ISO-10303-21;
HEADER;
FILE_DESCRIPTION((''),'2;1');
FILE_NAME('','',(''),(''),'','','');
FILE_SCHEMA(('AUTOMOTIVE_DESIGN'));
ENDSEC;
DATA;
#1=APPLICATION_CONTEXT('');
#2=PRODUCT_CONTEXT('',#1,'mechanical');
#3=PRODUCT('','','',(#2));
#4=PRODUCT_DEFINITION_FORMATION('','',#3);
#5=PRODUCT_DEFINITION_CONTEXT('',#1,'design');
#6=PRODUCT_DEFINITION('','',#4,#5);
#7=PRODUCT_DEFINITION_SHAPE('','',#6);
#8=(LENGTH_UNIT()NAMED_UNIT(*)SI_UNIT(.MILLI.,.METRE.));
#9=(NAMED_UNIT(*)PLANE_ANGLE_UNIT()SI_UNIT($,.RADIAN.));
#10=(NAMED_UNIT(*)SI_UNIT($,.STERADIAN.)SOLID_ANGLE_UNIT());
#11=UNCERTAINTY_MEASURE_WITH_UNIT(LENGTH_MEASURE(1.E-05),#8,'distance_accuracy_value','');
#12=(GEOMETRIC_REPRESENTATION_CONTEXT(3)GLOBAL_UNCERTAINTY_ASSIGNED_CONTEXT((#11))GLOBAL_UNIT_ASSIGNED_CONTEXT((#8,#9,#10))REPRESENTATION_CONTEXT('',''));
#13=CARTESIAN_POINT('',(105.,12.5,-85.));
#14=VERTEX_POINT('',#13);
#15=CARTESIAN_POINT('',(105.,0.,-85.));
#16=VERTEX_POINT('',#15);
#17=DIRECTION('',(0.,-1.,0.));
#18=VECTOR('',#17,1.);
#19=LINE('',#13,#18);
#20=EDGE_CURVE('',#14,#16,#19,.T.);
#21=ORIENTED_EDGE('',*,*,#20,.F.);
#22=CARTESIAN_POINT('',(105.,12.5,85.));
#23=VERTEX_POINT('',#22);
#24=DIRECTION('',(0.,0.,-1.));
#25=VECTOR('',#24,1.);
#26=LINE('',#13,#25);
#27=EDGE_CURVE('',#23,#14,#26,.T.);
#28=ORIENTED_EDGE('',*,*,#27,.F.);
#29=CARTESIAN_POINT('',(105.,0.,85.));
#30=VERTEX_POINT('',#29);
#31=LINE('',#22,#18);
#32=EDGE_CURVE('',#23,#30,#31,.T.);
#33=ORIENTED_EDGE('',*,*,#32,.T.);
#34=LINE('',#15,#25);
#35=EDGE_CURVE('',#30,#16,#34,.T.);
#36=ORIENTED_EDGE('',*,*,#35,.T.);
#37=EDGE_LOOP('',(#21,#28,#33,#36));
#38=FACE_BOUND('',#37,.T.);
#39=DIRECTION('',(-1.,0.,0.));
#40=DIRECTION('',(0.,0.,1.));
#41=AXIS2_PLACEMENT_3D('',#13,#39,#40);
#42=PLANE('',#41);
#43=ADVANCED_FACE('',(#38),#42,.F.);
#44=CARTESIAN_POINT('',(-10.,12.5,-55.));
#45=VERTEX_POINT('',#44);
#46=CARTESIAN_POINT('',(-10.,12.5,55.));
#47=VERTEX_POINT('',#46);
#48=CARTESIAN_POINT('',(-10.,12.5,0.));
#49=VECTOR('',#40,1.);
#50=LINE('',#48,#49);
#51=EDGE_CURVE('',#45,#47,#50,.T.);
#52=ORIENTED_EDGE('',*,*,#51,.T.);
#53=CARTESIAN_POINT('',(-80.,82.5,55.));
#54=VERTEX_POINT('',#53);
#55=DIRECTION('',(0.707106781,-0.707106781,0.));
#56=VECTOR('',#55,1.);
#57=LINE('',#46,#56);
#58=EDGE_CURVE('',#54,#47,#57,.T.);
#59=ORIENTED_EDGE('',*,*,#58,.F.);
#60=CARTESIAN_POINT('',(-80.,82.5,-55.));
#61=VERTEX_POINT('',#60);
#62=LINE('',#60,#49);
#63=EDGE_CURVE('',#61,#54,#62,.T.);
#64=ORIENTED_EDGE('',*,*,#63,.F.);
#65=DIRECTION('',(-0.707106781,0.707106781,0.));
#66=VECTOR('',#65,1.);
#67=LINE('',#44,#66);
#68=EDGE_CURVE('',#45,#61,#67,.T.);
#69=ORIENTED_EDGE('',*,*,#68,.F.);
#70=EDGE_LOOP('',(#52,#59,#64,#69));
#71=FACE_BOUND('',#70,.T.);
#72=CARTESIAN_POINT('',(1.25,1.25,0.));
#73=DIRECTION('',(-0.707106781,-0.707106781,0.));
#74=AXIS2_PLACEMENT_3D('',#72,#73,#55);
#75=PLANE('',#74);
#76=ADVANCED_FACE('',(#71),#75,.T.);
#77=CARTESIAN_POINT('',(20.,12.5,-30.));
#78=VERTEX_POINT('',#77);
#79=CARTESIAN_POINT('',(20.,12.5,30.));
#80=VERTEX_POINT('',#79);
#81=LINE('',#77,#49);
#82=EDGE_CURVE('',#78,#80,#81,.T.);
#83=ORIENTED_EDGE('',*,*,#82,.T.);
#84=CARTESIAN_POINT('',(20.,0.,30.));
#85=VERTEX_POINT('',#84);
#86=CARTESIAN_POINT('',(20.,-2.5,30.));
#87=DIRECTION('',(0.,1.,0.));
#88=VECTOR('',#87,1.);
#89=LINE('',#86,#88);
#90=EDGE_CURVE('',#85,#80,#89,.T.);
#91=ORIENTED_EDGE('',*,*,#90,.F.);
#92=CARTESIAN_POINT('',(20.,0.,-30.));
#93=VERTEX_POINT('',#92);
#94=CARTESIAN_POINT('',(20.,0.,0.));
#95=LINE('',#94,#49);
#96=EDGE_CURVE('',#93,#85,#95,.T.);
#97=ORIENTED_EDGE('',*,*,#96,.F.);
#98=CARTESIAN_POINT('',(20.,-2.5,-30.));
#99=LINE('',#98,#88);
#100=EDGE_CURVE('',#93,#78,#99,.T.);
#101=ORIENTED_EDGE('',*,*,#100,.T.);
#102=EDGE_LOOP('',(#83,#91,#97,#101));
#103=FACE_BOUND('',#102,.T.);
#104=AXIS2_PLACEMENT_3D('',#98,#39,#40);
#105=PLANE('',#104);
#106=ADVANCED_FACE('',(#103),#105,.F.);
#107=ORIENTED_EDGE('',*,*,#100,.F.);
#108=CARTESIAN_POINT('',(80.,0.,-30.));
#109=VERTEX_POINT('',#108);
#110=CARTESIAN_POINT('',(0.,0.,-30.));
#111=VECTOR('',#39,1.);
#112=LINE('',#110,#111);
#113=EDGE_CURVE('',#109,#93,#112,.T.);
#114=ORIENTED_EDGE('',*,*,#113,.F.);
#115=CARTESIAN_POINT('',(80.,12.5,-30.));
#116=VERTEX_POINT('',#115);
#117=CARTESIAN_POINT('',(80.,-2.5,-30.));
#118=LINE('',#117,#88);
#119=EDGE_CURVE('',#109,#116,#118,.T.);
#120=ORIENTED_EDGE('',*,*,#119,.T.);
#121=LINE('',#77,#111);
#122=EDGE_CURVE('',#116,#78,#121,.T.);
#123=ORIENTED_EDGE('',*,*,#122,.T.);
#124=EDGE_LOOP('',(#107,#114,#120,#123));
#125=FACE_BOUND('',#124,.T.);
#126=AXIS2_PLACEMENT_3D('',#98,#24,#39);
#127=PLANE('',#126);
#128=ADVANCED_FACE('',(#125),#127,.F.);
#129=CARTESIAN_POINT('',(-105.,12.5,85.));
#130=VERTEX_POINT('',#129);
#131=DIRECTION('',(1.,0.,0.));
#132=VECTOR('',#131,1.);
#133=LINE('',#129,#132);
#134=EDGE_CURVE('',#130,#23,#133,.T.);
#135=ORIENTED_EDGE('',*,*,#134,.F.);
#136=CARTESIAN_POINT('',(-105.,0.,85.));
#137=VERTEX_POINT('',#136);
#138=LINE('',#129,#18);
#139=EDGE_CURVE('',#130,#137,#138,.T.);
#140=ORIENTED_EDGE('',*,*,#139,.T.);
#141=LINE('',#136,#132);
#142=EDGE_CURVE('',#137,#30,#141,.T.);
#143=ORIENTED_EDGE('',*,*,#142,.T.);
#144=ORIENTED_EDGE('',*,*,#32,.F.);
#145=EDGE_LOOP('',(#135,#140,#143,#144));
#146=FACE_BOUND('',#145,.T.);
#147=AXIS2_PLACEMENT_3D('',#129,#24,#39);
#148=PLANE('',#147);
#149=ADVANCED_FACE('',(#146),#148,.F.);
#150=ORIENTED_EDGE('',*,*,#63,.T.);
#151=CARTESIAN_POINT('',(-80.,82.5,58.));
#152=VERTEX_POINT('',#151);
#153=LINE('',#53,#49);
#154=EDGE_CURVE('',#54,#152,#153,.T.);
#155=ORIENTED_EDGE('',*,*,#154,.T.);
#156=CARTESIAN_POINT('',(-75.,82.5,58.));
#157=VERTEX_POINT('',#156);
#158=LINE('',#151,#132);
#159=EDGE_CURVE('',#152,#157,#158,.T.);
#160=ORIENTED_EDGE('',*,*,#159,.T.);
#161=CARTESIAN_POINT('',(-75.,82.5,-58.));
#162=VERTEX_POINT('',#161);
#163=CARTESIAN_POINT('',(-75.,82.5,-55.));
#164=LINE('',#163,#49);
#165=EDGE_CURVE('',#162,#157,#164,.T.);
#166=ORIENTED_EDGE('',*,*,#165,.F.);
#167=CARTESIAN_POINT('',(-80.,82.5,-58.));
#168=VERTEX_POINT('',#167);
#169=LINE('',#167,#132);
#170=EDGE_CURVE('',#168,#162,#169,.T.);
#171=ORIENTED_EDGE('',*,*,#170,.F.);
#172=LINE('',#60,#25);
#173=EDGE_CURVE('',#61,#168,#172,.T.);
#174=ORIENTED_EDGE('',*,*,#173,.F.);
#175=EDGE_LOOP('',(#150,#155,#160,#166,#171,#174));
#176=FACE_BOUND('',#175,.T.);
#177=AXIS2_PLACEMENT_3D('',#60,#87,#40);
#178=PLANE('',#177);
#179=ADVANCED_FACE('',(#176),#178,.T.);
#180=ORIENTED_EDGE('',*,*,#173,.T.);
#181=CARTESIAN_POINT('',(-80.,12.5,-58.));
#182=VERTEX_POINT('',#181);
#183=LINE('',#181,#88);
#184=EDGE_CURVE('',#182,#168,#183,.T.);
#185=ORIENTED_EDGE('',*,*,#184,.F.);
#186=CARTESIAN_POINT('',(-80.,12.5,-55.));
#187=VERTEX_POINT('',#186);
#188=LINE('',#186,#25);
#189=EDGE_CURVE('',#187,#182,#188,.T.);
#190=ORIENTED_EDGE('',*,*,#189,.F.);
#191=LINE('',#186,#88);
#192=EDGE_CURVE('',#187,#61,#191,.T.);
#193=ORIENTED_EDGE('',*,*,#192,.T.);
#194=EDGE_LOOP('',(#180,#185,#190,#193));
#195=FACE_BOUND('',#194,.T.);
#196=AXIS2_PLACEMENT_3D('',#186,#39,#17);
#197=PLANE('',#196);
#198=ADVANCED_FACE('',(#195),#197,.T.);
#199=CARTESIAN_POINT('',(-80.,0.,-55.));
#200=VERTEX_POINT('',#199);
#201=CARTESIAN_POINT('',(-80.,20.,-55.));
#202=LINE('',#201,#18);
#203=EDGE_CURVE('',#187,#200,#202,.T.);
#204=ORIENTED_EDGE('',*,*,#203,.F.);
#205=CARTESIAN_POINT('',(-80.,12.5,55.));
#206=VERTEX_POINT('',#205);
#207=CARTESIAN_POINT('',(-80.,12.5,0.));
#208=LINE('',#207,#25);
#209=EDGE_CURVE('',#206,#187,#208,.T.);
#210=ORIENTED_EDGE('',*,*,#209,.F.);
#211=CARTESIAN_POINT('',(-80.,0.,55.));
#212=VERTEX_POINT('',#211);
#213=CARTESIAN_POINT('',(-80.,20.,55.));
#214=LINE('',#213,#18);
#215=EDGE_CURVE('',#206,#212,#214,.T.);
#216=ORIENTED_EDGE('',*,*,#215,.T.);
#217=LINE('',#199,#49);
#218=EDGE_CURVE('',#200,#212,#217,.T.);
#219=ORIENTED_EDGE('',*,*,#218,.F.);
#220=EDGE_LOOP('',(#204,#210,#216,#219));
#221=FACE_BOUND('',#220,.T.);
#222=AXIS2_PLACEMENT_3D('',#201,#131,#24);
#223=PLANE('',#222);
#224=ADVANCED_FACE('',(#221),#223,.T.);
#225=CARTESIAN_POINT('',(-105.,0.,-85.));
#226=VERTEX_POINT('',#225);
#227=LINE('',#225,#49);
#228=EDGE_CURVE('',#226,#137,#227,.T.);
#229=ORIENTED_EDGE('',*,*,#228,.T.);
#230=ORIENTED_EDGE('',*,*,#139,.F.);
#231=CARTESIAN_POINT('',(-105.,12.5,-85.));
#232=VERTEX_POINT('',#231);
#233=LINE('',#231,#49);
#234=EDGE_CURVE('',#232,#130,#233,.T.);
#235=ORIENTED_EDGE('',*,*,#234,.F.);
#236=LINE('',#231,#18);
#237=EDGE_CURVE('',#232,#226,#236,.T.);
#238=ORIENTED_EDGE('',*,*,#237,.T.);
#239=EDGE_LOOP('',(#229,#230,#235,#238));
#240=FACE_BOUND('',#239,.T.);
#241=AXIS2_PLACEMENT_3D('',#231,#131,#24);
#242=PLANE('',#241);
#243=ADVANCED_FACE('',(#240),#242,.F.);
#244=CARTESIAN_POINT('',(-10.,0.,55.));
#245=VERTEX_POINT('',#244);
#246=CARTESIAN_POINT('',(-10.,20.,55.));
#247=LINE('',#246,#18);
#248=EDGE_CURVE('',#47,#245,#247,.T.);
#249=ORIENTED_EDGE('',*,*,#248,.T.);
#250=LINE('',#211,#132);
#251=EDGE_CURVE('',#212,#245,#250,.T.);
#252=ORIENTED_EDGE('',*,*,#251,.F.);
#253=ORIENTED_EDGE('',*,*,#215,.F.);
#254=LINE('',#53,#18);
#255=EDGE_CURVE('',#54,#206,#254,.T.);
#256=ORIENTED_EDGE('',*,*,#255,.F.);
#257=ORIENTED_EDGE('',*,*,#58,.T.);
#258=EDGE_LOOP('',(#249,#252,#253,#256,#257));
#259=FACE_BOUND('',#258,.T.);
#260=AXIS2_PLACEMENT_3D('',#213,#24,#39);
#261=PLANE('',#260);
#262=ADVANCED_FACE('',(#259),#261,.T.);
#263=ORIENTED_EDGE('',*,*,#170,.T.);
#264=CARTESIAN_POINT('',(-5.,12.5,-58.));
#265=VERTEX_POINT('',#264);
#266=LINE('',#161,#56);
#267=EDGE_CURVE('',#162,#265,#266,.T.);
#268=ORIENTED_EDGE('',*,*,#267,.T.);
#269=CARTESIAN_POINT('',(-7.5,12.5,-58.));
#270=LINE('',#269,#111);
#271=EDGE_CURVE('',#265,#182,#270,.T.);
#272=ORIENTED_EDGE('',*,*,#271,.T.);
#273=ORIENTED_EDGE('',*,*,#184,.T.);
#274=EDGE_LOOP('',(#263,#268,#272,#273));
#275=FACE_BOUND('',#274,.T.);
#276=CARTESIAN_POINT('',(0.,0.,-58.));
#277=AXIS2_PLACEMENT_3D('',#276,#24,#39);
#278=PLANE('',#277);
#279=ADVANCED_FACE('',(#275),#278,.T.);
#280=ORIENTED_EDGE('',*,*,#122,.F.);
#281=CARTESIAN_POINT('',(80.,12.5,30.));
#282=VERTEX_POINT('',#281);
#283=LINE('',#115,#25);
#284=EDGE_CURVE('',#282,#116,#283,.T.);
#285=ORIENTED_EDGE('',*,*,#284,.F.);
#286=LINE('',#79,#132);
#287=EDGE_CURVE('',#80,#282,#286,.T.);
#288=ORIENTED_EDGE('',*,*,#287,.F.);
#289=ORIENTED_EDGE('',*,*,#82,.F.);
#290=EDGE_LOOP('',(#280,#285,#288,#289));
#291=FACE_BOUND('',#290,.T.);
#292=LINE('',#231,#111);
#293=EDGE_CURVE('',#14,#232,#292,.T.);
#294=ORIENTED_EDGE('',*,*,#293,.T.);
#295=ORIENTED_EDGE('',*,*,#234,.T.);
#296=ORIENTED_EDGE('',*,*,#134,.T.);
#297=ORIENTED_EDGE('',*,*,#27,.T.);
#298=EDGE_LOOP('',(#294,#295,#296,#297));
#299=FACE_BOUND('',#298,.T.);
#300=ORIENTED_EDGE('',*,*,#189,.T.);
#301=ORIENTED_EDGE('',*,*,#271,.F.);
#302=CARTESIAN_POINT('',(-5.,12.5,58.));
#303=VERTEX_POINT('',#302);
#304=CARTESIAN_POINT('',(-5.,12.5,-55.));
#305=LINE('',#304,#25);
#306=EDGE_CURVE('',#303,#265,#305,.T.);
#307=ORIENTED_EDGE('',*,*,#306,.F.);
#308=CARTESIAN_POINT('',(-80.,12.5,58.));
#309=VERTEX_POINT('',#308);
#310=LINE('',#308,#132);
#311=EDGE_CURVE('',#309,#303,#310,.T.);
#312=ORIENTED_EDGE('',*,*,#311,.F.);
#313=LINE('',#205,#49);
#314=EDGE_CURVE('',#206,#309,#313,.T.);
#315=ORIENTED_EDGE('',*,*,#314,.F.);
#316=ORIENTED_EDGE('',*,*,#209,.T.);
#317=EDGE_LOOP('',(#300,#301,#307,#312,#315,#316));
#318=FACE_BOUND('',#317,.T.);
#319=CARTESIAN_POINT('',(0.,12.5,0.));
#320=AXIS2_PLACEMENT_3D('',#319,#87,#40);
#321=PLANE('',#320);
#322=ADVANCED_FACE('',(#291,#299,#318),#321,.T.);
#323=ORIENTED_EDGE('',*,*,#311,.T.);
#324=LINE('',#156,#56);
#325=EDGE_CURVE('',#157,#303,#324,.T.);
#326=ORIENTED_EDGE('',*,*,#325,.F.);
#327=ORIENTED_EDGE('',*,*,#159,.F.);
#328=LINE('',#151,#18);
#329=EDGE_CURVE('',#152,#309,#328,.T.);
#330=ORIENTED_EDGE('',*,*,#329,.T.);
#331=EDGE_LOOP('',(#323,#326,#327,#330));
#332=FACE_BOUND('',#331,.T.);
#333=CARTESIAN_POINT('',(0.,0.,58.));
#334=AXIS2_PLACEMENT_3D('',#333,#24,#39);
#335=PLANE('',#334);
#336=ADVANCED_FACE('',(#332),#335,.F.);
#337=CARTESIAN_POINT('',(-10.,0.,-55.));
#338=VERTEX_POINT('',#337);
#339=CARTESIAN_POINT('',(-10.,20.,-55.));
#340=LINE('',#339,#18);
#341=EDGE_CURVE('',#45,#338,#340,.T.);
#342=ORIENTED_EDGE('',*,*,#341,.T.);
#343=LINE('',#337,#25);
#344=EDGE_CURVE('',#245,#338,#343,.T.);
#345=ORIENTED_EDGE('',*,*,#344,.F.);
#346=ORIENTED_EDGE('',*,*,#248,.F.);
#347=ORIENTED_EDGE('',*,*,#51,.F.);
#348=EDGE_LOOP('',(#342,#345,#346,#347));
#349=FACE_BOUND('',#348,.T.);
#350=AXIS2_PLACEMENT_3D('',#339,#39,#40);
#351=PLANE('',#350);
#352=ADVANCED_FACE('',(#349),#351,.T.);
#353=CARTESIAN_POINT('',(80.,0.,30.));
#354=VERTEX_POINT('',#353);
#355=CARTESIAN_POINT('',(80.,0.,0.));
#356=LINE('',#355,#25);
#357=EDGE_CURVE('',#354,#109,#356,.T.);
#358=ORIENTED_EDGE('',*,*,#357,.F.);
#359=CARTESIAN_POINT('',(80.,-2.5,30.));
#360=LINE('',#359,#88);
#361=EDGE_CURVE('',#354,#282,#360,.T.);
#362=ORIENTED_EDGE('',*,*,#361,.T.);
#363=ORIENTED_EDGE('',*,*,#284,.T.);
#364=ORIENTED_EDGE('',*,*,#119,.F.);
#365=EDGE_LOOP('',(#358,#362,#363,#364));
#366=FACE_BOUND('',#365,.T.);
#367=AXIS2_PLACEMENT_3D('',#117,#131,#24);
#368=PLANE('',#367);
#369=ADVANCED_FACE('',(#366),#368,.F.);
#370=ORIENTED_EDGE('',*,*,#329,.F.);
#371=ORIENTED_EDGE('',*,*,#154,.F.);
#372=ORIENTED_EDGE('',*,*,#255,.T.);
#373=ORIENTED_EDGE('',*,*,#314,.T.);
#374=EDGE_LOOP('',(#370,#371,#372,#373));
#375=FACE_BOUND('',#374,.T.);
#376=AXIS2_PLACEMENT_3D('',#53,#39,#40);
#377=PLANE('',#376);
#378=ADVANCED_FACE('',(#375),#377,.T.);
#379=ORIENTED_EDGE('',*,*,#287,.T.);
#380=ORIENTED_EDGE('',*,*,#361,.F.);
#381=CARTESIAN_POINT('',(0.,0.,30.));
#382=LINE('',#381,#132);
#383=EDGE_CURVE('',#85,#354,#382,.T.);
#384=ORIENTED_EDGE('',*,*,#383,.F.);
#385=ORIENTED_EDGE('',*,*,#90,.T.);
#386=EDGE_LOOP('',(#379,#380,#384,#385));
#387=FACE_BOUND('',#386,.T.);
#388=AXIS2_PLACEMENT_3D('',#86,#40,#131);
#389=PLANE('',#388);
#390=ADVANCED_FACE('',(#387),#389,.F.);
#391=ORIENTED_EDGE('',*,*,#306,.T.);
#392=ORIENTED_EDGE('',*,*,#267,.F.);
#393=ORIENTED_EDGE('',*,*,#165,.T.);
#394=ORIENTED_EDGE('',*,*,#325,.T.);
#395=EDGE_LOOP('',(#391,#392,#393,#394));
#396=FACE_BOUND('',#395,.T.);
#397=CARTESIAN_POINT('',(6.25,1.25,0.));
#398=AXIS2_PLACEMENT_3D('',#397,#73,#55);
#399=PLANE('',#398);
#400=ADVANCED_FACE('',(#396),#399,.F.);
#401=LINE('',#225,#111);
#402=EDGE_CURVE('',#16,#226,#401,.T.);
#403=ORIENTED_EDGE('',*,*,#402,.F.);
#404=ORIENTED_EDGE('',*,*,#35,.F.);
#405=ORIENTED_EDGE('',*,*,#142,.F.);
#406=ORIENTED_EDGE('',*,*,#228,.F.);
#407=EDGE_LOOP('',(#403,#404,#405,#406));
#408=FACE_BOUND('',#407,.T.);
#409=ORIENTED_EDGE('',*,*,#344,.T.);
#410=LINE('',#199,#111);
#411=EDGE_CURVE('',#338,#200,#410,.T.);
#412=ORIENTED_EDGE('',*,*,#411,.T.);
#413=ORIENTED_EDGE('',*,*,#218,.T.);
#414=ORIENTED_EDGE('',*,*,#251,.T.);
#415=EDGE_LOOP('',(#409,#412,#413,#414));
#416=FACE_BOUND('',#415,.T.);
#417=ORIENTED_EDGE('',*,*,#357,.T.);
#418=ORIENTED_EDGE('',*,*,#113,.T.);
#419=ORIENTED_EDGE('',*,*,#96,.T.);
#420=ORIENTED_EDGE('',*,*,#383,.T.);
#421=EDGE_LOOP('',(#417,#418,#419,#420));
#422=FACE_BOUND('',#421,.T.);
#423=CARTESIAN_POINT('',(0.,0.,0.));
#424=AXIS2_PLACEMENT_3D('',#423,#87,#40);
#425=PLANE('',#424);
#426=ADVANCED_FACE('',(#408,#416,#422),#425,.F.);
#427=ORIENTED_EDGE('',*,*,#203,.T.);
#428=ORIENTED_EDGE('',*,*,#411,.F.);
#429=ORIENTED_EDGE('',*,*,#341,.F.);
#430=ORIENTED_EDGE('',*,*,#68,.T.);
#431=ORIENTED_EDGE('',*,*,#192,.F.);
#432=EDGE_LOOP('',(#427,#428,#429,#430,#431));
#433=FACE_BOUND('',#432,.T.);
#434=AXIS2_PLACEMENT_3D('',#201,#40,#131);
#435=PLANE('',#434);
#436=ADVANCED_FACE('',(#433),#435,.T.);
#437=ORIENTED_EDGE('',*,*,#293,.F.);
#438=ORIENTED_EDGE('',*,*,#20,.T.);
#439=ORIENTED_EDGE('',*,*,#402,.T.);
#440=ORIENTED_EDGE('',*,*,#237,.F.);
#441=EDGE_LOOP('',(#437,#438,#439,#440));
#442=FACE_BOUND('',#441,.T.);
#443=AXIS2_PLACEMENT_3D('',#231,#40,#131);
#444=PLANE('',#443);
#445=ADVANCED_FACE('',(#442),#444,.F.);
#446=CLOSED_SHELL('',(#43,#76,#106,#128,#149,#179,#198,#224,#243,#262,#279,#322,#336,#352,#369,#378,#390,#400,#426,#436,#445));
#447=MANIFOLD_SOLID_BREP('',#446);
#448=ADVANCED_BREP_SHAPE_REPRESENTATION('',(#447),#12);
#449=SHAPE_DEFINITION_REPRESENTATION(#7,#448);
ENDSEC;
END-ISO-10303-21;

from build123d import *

# Parameters (mm, degrees)
SKETCH_1_W          = 210
SKETCH_1_H          = 170
EXTRUDE_1_DEPTH     = 12.5
SKETCH_2_W          = 60
SKETCH_2_H          = 60
CUT_EXTRUDE_1_DEPTH = 15
SKETCH_3_W          = 70
SKETCH_3_H          = 110
CUT_EXTRUDE_4_DEPTH = 20
EXTRUDE_4_DEPTH     = 5
EXTRUDE_6_DEPTH     = 3
EXTRUDE_7_DEPTH     = 3
EXTRUDE_8_DEPTH     = 3
EXTRUDE_9_DEPTH     = 3


with BuildPart() as part:
    # Эскиз1 → Бобышка-Вытянуть1 (new body)
    with BuildSketch(Plane(origin=(0, 0, 0), x_dir=(1, 0, 0), z_dir=(0, 1, 0))):
        Rectangle(SKETCH_1_W, SKETCH_1_H)
    extrude(amount=EXTRUDE_1_DEPTH)

    # Эскиз2 → Вырез-Вытянуть1 (cut)
    with BuildSketch(Plane(origin=(0, 12.5, 0), x_dir=(1, 0, 0), z_dir=(0, 1, 0))):
        with Locations((50, 0)):
            Rectangle(SKETCH_2_W, SKETCH_2_H)
    extrude(amount=-CUT_EXTRUDE_1_DEPTH, mode=Mode.SUBTRACT)

    # Эскиз3 → Вырез-Вытянуть4 (cut)
    with BuildSketch(Plane(origin=(0, 0, 0), x_dir=(1, 0, 0), z_dir=(0, 1, 0))):
        with Locations((-45, 0)):
            Rectangle(SKETCH_3_W, SKETCH_3_H)
    extrude(amount=CUT_EXTRUDE_4_DEPTH, mode=Mode.SUBTRACT)

    # Sketch 1 2 → Бобышка-Вытянуть4 (add, along a direction that is not the sketch's normal)
    with BuildSketch(Plane(origin=(-10, 12.5, -55), x_dir=(-0.47301616487964127, 0.4730161648796364, 0.7433111162394362), z_dir=(0.7071067811865439, 0.7071067811865512, 0))):
        Polygon((0, 0), (81.764222786, 73.584046315), (147.986485869, 0), (66.222263083, -73.584046315), align=None)
    extrude(amount=EXTRUDE_4_DEPTH, dir=(1, 0, 0))

    # Sketch 3 2 → Бобышка-Вытянуть6 (add)
    with BuildSketch(Plane(origin=(-7.5, 12.5, -55), x_dir=(-0.7194014606174125, 0.6945945136995638, 0), z_dir=(0, 0, 1))):
        Polygon((0, 0), (52.156605895, 50.358102243), (100.778221854, 0), align=None)
    extrude(amount=-EXTRUDE_6_DEPTH)

    # Sketch 4 → Бобышка-Вытянуть7 (add)
    with BuildSketch(Plane(origin=(-7.5, 12.5, 55), x_dir=(-0.7194014606174126, 0.6945945136995636, 0), z_dir=(0, 0, 1))):
        Polygon((0, 0), (100.778221854, 0), (52.156605895, 50.358102243), align=None)
    extrude(amount=EXTRUDE_7_DEPTH)

    # Эскиз7 → Бобышка-Вытянуть8 (add)
    with BuildSketch(Plane(origin=(0, 0, -55), x_dir=(-1, 0, 0), z_dir=(0, 0, -1))):
        Polygon((5, 12.5), (7.5, 12.5), (80, 82.5), (75, 82.5), align=None)
    extrude(amount=EXTRUDE_8_DEPTH)

    # Sketch 5 → Бобышка-Вытянуть9 (add)
    with BuildSketch(Plane(origin=(-5, 12.5, 55), x_dir=(-0.7310552682428726, 0.6823182503600075, 0), z_dir=(0, 0, -1))):
        Polygon((0, 0), (1.827638171, -1.705795626), (102.591422643, 0), (98.936146302, 3.411591252), align=None)
    extrude(amount=-EXTRUDE_9_DEPTH)


solid = part.part
